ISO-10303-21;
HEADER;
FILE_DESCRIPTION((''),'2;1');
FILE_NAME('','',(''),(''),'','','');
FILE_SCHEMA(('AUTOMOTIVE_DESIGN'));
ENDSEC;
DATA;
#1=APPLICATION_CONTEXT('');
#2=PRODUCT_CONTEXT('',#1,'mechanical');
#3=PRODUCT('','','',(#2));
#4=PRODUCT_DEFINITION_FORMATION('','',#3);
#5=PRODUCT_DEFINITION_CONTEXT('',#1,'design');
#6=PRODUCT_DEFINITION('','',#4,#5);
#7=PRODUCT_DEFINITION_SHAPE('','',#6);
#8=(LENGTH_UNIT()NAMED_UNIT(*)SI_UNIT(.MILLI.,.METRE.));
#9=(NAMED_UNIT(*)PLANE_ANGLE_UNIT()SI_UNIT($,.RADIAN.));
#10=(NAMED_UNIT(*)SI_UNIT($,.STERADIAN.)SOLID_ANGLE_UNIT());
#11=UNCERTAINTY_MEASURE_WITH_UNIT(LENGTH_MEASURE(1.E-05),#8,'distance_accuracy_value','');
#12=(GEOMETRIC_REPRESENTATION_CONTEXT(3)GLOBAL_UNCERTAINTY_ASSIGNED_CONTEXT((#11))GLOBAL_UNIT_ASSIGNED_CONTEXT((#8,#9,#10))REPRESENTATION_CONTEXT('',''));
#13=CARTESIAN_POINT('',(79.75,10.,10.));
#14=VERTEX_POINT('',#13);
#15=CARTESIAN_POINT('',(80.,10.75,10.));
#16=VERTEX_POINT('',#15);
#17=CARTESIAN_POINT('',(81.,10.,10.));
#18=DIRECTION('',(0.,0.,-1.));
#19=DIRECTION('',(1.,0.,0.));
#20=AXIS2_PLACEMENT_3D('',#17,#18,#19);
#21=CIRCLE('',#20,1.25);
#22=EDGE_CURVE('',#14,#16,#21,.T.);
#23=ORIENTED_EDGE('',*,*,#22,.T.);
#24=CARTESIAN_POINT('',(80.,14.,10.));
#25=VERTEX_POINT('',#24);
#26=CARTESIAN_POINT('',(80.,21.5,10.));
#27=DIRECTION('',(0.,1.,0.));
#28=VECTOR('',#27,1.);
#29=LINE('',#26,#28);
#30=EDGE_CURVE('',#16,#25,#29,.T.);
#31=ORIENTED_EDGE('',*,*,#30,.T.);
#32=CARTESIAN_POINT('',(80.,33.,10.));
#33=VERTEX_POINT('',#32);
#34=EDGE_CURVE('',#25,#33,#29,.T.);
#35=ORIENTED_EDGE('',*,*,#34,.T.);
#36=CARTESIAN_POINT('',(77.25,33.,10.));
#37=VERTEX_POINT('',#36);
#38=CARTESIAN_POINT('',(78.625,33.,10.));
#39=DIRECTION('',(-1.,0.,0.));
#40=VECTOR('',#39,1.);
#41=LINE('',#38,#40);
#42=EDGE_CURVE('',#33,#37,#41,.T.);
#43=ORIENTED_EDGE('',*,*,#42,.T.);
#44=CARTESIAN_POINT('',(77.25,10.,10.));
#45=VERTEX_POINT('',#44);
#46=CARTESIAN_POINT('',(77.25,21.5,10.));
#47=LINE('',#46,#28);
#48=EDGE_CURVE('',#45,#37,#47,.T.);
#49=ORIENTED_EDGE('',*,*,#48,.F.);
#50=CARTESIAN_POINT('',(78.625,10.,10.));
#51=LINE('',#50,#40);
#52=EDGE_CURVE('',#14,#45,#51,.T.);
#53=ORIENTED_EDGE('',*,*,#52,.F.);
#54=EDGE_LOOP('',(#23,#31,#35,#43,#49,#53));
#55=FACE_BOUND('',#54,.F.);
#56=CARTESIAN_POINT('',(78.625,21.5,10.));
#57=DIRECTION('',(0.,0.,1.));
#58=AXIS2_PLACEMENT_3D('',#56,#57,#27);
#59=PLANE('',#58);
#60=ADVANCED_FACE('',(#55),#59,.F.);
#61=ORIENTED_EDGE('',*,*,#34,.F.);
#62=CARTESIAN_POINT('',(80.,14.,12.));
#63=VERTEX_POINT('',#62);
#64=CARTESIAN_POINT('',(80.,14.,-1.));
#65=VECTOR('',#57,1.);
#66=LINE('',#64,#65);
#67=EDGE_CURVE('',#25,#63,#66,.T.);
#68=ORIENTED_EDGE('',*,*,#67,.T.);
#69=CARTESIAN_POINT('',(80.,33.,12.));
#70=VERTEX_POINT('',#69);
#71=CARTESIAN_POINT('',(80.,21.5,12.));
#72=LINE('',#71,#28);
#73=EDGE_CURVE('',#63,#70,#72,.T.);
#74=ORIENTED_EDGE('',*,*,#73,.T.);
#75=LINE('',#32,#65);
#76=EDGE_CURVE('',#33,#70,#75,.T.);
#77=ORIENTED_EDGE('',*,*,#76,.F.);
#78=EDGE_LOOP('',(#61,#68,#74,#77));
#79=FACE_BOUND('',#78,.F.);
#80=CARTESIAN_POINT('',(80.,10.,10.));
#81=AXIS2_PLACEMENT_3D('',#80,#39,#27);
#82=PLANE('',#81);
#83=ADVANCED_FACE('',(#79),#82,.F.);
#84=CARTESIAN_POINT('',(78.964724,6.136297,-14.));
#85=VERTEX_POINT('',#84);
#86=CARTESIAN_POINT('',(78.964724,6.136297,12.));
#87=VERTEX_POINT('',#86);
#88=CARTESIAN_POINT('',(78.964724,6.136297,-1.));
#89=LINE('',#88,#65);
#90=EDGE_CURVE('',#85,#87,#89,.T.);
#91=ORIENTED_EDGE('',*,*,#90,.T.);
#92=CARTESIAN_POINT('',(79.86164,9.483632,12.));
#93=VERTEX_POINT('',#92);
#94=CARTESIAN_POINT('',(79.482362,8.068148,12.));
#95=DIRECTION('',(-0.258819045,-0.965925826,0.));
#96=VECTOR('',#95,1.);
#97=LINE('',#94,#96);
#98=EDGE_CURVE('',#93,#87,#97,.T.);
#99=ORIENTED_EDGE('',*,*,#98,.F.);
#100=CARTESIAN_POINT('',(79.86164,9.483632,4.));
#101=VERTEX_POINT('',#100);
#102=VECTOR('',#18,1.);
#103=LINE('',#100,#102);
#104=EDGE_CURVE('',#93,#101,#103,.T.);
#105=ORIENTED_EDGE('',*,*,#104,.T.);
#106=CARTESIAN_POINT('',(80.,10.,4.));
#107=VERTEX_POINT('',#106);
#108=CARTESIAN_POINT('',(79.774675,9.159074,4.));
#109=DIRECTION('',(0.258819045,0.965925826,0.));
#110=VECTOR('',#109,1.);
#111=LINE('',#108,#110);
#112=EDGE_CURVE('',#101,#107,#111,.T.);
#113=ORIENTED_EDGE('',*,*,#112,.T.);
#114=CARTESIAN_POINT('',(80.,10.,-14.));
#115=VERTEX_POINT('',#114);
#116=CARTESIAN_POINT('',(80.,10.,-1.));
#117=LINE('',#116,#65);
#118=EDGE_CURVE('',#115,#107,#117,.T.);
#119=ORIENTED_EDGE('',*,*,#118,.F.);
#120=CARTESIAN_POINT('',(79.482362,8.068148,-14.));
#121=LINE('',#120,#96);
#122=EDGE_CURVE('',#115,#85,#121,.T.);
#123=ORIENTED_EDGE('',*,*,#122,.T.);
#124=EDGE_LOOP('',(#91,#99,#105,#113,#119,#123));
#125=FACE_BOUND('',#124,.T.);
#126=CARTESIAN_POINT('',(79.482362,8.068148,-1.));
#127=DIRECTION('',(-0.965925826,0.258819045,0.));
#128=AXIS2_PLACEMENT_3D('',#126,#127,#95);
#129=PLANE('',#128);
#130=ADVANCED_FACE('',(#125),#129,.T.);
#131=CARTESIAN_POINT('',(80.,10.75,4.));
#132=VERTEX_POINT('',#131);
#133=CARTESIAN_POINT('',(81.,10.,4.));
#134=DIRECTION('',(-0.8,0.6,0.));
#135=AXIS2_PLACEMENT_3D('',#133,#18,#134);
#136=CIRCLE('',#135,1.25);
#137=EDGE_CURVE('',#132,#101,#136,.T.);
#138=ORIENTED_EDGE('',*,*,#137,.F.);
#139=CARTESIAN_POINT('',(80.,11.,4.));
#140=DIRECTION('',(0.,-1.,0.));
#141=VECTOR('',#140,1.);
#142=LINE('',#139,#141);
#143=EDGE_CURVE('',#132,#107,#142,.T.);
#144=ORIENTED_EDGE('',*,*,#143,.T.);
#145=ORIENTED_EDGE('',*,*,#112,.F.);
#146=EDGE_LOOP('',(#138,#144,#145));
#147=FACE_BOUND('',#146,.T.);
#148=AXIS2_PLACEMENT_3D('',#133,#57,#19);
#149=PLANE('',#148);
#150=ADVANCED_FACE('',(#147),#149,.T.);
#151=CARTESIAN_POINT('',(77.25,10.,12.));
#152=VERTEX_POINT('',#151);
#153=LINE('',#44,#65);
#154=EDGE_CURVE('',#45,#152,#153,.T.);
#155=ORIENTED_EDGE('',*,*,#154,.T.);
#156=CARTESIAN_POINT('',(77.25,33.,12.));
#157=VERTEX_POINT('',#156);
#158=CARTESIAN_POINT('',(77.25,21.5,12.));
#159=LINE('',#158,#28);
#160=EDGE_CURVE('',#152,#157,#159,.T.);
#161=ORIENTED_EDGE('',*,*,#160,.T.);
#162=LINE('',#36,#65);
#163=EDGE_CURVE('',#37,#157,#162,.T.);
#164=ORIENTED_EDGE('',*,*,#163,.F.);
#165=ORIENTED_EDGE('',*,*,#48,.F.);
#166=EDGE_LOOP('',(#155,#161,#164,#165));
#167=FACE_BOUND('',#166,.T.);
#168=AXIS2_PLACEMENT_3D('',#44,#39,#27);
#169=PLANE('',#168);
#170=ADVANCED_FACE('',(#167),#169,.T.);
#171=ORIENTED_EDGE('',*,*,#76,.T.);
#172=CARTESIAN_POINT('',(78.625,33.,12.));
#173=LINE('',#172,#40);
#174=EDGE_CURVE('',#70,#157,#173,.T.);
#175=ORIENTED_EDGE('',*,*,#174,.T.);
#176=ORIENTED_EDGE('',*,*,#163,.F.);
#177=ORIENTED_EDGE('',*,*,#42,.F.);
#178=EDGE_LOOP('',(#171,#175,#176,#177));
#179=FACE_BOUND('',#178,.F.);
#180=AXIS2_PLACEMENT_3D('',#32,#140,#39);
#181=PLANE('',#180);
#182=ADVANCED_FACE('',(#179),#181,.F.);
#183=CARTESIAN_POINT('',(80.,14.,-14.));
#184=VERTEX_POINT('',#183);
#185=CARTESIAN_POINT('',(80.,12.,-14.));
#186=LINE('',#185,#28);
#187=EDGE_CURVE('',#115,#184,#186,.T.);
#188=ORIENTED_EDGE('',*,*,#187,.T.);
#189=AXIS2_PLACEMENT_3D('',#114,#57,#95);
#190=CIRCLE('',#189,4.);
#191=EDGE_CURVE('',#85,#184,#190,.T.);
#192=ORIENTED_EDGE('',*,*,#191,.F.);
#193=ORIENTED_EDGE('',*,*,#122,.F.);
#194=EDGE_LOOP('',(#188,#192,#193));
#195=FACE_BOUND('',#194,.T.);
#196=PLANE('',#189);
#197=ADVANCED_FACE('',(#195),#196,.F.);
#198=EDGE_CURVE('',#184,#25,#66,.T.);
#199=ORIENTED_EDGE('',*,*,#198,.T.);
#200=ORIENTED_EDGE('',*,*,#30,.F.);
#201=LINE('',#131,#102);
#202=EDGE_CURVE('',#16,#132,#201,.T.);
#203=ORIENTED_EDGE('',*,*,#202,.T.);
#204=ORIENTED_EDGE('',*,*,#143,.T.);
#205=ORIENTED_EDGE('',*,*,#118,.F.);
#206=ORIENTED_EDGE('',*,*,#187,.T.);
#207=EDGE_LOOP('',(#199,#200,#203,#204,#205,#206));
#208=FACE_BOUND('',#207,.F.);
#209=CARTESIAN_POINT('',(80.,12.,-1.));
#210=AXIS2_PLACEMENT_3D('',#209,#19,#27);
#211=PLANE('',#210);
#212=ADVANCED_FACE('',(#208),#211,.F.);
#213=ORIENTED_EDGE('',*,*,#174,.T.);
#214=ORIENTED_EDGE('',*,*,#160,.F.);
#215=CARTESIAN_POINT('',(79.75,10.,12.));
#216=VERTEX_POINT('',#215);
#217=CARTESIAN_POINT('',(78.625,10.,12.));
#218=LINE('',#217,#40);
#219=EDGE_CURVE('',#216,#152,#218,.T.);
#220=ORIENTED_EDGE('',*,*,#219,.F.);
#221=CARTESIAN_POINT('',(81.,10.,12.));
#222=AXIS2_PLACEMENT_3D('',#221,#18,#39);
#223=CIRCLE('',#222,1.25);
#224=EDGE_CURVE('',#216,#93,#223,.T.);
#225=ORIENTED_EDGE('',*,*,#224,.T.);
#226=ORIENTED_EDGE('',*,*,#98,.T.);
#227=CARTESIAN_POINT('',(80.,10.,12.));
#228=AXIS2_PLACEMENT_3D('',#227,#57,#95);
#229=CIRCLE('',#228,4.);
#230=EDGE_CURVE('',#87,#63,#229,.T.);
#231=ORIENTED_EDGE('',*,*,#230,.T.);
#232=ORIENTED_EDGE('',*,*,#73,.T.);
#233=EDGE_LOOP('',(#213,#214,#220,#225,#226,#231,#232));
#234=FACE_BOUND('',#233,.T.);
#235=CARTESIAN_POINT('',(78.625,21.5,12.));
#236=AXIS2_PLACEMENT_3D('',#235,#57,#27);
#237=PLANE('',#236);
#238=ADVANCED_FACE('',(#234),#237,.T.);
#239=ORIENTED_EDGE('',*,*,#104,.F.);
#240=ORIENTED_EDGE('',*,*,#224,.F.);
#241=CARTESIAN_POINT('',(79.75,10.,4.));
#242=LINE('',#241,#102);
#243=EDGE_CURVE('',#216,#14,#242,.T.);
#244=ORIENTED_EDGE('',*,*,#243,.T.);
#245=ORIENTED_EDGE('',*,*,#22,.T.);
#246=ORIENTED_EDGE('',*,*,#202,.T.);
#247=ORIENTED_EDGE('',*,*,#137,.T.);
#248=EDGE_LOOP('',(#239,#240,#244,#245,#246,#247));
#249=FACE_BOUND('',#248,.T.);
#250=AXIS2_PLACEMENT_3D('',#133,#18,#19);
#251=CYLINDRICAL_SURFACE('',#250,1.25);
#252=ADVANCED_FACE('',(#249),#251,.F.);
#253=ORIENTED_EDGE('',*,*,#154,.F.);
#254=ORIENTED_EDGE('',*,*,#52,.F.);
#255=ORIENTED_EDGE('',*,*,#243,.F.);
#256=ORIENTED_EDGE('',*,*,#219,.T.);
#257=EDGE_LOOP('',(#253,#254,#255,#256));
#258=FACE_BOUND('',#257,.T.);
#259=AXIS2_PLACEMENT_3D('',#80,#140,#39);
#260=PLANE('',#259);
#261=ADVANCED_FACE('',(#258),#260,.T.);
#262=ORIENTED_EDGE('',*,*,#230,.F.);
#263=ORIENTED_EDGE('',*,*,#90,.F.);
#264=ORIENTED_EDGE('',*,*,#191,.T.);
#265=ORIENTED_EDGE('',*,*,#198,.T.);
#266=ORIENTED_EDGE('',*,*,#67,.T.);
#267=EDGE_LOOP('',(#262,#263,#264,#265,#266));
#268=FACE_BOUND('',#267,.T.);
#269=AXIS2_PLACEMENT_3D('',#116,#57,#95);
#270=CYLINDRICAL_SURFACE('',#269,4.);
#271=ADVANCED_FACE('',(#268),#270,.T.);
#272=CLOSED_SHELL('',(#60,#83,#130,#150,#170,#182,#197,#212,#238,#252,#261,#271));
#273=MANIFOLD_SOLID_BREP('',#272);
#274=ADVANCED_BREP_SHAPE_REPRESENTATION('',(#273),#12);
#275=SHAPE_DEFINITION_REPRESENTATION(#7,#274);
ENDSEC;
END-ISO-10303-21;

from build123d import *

# Parameters (mm, degrees)
CYLINDER005_R               = 1.25
CYLINDER005_DEPTH           = 10
BOX007_W                    = 23
BOX007_H                    = 2.75
BOX007_DEPTH                = 2
CYLINDER002_W               = 4
CYLINDER002_H               = 26
CYLINDER002_ANGLE           = 195
CYLINDER002_PLACEMENT_ANGLE = 105


with BuildPart() as b_so:
    # Cylinder005 → Cylinder005 (new body)
    with BuildSketch(Plane(origin=(41, 5, 4), x_dir=(1, 0, 0), z_dir=(0, 0, 1))):
        Circle(CYLINDER005_R)
    extrude(amount=CYLINDER005_DEPTH)


with BuildPart() as o001:
    # Box007 → Box007 (new body)
    with BuildSketch(Plane(origin=(40, 5, 10), x_dir=(0, 1, 0), z_dir=(0, 0, 1))):
        with Locations((11.5, 1.375)):
            Rectangle(BOX007_W, BOX007_H)
    extrude(amount=BOX007_DEPTH)


with BuildPart() as cut002_o:
    # Cylinder002 → Cylinder002 (revolve)
    with BuildSketch(Plane.XZ):
        with Locations((2, 13)):
            Rectangle(CYLINDER002_W, CYLINDER002_H)
    revolve(axis=Axis((0, 0, 0), (0, 0, 1)), revolution_arc=CYLINDER002_ANGLE)


with BuildPart() as cut002_o_1:
    # Cylinder002 placement: moved
    add(cut002_o.part.moved(Location((40, 5, -14))).rotate(Axis((40, 5, -14), (0, 0, -1)), CYLINDER002_PLACEMENT_ANGLE))

    # Fusion004: union O001
    add(o001.part)

    # Cut002: cut B_SO
    add(b_so.part, mode=Mode.SUBTRACT)


with BuildPart() as cut002_o_2:
    # Cut002 placement: moved
    add(cut002_o_1.part.moved(Location((40, 5, 0))))


solid = cut002_o_2.part
